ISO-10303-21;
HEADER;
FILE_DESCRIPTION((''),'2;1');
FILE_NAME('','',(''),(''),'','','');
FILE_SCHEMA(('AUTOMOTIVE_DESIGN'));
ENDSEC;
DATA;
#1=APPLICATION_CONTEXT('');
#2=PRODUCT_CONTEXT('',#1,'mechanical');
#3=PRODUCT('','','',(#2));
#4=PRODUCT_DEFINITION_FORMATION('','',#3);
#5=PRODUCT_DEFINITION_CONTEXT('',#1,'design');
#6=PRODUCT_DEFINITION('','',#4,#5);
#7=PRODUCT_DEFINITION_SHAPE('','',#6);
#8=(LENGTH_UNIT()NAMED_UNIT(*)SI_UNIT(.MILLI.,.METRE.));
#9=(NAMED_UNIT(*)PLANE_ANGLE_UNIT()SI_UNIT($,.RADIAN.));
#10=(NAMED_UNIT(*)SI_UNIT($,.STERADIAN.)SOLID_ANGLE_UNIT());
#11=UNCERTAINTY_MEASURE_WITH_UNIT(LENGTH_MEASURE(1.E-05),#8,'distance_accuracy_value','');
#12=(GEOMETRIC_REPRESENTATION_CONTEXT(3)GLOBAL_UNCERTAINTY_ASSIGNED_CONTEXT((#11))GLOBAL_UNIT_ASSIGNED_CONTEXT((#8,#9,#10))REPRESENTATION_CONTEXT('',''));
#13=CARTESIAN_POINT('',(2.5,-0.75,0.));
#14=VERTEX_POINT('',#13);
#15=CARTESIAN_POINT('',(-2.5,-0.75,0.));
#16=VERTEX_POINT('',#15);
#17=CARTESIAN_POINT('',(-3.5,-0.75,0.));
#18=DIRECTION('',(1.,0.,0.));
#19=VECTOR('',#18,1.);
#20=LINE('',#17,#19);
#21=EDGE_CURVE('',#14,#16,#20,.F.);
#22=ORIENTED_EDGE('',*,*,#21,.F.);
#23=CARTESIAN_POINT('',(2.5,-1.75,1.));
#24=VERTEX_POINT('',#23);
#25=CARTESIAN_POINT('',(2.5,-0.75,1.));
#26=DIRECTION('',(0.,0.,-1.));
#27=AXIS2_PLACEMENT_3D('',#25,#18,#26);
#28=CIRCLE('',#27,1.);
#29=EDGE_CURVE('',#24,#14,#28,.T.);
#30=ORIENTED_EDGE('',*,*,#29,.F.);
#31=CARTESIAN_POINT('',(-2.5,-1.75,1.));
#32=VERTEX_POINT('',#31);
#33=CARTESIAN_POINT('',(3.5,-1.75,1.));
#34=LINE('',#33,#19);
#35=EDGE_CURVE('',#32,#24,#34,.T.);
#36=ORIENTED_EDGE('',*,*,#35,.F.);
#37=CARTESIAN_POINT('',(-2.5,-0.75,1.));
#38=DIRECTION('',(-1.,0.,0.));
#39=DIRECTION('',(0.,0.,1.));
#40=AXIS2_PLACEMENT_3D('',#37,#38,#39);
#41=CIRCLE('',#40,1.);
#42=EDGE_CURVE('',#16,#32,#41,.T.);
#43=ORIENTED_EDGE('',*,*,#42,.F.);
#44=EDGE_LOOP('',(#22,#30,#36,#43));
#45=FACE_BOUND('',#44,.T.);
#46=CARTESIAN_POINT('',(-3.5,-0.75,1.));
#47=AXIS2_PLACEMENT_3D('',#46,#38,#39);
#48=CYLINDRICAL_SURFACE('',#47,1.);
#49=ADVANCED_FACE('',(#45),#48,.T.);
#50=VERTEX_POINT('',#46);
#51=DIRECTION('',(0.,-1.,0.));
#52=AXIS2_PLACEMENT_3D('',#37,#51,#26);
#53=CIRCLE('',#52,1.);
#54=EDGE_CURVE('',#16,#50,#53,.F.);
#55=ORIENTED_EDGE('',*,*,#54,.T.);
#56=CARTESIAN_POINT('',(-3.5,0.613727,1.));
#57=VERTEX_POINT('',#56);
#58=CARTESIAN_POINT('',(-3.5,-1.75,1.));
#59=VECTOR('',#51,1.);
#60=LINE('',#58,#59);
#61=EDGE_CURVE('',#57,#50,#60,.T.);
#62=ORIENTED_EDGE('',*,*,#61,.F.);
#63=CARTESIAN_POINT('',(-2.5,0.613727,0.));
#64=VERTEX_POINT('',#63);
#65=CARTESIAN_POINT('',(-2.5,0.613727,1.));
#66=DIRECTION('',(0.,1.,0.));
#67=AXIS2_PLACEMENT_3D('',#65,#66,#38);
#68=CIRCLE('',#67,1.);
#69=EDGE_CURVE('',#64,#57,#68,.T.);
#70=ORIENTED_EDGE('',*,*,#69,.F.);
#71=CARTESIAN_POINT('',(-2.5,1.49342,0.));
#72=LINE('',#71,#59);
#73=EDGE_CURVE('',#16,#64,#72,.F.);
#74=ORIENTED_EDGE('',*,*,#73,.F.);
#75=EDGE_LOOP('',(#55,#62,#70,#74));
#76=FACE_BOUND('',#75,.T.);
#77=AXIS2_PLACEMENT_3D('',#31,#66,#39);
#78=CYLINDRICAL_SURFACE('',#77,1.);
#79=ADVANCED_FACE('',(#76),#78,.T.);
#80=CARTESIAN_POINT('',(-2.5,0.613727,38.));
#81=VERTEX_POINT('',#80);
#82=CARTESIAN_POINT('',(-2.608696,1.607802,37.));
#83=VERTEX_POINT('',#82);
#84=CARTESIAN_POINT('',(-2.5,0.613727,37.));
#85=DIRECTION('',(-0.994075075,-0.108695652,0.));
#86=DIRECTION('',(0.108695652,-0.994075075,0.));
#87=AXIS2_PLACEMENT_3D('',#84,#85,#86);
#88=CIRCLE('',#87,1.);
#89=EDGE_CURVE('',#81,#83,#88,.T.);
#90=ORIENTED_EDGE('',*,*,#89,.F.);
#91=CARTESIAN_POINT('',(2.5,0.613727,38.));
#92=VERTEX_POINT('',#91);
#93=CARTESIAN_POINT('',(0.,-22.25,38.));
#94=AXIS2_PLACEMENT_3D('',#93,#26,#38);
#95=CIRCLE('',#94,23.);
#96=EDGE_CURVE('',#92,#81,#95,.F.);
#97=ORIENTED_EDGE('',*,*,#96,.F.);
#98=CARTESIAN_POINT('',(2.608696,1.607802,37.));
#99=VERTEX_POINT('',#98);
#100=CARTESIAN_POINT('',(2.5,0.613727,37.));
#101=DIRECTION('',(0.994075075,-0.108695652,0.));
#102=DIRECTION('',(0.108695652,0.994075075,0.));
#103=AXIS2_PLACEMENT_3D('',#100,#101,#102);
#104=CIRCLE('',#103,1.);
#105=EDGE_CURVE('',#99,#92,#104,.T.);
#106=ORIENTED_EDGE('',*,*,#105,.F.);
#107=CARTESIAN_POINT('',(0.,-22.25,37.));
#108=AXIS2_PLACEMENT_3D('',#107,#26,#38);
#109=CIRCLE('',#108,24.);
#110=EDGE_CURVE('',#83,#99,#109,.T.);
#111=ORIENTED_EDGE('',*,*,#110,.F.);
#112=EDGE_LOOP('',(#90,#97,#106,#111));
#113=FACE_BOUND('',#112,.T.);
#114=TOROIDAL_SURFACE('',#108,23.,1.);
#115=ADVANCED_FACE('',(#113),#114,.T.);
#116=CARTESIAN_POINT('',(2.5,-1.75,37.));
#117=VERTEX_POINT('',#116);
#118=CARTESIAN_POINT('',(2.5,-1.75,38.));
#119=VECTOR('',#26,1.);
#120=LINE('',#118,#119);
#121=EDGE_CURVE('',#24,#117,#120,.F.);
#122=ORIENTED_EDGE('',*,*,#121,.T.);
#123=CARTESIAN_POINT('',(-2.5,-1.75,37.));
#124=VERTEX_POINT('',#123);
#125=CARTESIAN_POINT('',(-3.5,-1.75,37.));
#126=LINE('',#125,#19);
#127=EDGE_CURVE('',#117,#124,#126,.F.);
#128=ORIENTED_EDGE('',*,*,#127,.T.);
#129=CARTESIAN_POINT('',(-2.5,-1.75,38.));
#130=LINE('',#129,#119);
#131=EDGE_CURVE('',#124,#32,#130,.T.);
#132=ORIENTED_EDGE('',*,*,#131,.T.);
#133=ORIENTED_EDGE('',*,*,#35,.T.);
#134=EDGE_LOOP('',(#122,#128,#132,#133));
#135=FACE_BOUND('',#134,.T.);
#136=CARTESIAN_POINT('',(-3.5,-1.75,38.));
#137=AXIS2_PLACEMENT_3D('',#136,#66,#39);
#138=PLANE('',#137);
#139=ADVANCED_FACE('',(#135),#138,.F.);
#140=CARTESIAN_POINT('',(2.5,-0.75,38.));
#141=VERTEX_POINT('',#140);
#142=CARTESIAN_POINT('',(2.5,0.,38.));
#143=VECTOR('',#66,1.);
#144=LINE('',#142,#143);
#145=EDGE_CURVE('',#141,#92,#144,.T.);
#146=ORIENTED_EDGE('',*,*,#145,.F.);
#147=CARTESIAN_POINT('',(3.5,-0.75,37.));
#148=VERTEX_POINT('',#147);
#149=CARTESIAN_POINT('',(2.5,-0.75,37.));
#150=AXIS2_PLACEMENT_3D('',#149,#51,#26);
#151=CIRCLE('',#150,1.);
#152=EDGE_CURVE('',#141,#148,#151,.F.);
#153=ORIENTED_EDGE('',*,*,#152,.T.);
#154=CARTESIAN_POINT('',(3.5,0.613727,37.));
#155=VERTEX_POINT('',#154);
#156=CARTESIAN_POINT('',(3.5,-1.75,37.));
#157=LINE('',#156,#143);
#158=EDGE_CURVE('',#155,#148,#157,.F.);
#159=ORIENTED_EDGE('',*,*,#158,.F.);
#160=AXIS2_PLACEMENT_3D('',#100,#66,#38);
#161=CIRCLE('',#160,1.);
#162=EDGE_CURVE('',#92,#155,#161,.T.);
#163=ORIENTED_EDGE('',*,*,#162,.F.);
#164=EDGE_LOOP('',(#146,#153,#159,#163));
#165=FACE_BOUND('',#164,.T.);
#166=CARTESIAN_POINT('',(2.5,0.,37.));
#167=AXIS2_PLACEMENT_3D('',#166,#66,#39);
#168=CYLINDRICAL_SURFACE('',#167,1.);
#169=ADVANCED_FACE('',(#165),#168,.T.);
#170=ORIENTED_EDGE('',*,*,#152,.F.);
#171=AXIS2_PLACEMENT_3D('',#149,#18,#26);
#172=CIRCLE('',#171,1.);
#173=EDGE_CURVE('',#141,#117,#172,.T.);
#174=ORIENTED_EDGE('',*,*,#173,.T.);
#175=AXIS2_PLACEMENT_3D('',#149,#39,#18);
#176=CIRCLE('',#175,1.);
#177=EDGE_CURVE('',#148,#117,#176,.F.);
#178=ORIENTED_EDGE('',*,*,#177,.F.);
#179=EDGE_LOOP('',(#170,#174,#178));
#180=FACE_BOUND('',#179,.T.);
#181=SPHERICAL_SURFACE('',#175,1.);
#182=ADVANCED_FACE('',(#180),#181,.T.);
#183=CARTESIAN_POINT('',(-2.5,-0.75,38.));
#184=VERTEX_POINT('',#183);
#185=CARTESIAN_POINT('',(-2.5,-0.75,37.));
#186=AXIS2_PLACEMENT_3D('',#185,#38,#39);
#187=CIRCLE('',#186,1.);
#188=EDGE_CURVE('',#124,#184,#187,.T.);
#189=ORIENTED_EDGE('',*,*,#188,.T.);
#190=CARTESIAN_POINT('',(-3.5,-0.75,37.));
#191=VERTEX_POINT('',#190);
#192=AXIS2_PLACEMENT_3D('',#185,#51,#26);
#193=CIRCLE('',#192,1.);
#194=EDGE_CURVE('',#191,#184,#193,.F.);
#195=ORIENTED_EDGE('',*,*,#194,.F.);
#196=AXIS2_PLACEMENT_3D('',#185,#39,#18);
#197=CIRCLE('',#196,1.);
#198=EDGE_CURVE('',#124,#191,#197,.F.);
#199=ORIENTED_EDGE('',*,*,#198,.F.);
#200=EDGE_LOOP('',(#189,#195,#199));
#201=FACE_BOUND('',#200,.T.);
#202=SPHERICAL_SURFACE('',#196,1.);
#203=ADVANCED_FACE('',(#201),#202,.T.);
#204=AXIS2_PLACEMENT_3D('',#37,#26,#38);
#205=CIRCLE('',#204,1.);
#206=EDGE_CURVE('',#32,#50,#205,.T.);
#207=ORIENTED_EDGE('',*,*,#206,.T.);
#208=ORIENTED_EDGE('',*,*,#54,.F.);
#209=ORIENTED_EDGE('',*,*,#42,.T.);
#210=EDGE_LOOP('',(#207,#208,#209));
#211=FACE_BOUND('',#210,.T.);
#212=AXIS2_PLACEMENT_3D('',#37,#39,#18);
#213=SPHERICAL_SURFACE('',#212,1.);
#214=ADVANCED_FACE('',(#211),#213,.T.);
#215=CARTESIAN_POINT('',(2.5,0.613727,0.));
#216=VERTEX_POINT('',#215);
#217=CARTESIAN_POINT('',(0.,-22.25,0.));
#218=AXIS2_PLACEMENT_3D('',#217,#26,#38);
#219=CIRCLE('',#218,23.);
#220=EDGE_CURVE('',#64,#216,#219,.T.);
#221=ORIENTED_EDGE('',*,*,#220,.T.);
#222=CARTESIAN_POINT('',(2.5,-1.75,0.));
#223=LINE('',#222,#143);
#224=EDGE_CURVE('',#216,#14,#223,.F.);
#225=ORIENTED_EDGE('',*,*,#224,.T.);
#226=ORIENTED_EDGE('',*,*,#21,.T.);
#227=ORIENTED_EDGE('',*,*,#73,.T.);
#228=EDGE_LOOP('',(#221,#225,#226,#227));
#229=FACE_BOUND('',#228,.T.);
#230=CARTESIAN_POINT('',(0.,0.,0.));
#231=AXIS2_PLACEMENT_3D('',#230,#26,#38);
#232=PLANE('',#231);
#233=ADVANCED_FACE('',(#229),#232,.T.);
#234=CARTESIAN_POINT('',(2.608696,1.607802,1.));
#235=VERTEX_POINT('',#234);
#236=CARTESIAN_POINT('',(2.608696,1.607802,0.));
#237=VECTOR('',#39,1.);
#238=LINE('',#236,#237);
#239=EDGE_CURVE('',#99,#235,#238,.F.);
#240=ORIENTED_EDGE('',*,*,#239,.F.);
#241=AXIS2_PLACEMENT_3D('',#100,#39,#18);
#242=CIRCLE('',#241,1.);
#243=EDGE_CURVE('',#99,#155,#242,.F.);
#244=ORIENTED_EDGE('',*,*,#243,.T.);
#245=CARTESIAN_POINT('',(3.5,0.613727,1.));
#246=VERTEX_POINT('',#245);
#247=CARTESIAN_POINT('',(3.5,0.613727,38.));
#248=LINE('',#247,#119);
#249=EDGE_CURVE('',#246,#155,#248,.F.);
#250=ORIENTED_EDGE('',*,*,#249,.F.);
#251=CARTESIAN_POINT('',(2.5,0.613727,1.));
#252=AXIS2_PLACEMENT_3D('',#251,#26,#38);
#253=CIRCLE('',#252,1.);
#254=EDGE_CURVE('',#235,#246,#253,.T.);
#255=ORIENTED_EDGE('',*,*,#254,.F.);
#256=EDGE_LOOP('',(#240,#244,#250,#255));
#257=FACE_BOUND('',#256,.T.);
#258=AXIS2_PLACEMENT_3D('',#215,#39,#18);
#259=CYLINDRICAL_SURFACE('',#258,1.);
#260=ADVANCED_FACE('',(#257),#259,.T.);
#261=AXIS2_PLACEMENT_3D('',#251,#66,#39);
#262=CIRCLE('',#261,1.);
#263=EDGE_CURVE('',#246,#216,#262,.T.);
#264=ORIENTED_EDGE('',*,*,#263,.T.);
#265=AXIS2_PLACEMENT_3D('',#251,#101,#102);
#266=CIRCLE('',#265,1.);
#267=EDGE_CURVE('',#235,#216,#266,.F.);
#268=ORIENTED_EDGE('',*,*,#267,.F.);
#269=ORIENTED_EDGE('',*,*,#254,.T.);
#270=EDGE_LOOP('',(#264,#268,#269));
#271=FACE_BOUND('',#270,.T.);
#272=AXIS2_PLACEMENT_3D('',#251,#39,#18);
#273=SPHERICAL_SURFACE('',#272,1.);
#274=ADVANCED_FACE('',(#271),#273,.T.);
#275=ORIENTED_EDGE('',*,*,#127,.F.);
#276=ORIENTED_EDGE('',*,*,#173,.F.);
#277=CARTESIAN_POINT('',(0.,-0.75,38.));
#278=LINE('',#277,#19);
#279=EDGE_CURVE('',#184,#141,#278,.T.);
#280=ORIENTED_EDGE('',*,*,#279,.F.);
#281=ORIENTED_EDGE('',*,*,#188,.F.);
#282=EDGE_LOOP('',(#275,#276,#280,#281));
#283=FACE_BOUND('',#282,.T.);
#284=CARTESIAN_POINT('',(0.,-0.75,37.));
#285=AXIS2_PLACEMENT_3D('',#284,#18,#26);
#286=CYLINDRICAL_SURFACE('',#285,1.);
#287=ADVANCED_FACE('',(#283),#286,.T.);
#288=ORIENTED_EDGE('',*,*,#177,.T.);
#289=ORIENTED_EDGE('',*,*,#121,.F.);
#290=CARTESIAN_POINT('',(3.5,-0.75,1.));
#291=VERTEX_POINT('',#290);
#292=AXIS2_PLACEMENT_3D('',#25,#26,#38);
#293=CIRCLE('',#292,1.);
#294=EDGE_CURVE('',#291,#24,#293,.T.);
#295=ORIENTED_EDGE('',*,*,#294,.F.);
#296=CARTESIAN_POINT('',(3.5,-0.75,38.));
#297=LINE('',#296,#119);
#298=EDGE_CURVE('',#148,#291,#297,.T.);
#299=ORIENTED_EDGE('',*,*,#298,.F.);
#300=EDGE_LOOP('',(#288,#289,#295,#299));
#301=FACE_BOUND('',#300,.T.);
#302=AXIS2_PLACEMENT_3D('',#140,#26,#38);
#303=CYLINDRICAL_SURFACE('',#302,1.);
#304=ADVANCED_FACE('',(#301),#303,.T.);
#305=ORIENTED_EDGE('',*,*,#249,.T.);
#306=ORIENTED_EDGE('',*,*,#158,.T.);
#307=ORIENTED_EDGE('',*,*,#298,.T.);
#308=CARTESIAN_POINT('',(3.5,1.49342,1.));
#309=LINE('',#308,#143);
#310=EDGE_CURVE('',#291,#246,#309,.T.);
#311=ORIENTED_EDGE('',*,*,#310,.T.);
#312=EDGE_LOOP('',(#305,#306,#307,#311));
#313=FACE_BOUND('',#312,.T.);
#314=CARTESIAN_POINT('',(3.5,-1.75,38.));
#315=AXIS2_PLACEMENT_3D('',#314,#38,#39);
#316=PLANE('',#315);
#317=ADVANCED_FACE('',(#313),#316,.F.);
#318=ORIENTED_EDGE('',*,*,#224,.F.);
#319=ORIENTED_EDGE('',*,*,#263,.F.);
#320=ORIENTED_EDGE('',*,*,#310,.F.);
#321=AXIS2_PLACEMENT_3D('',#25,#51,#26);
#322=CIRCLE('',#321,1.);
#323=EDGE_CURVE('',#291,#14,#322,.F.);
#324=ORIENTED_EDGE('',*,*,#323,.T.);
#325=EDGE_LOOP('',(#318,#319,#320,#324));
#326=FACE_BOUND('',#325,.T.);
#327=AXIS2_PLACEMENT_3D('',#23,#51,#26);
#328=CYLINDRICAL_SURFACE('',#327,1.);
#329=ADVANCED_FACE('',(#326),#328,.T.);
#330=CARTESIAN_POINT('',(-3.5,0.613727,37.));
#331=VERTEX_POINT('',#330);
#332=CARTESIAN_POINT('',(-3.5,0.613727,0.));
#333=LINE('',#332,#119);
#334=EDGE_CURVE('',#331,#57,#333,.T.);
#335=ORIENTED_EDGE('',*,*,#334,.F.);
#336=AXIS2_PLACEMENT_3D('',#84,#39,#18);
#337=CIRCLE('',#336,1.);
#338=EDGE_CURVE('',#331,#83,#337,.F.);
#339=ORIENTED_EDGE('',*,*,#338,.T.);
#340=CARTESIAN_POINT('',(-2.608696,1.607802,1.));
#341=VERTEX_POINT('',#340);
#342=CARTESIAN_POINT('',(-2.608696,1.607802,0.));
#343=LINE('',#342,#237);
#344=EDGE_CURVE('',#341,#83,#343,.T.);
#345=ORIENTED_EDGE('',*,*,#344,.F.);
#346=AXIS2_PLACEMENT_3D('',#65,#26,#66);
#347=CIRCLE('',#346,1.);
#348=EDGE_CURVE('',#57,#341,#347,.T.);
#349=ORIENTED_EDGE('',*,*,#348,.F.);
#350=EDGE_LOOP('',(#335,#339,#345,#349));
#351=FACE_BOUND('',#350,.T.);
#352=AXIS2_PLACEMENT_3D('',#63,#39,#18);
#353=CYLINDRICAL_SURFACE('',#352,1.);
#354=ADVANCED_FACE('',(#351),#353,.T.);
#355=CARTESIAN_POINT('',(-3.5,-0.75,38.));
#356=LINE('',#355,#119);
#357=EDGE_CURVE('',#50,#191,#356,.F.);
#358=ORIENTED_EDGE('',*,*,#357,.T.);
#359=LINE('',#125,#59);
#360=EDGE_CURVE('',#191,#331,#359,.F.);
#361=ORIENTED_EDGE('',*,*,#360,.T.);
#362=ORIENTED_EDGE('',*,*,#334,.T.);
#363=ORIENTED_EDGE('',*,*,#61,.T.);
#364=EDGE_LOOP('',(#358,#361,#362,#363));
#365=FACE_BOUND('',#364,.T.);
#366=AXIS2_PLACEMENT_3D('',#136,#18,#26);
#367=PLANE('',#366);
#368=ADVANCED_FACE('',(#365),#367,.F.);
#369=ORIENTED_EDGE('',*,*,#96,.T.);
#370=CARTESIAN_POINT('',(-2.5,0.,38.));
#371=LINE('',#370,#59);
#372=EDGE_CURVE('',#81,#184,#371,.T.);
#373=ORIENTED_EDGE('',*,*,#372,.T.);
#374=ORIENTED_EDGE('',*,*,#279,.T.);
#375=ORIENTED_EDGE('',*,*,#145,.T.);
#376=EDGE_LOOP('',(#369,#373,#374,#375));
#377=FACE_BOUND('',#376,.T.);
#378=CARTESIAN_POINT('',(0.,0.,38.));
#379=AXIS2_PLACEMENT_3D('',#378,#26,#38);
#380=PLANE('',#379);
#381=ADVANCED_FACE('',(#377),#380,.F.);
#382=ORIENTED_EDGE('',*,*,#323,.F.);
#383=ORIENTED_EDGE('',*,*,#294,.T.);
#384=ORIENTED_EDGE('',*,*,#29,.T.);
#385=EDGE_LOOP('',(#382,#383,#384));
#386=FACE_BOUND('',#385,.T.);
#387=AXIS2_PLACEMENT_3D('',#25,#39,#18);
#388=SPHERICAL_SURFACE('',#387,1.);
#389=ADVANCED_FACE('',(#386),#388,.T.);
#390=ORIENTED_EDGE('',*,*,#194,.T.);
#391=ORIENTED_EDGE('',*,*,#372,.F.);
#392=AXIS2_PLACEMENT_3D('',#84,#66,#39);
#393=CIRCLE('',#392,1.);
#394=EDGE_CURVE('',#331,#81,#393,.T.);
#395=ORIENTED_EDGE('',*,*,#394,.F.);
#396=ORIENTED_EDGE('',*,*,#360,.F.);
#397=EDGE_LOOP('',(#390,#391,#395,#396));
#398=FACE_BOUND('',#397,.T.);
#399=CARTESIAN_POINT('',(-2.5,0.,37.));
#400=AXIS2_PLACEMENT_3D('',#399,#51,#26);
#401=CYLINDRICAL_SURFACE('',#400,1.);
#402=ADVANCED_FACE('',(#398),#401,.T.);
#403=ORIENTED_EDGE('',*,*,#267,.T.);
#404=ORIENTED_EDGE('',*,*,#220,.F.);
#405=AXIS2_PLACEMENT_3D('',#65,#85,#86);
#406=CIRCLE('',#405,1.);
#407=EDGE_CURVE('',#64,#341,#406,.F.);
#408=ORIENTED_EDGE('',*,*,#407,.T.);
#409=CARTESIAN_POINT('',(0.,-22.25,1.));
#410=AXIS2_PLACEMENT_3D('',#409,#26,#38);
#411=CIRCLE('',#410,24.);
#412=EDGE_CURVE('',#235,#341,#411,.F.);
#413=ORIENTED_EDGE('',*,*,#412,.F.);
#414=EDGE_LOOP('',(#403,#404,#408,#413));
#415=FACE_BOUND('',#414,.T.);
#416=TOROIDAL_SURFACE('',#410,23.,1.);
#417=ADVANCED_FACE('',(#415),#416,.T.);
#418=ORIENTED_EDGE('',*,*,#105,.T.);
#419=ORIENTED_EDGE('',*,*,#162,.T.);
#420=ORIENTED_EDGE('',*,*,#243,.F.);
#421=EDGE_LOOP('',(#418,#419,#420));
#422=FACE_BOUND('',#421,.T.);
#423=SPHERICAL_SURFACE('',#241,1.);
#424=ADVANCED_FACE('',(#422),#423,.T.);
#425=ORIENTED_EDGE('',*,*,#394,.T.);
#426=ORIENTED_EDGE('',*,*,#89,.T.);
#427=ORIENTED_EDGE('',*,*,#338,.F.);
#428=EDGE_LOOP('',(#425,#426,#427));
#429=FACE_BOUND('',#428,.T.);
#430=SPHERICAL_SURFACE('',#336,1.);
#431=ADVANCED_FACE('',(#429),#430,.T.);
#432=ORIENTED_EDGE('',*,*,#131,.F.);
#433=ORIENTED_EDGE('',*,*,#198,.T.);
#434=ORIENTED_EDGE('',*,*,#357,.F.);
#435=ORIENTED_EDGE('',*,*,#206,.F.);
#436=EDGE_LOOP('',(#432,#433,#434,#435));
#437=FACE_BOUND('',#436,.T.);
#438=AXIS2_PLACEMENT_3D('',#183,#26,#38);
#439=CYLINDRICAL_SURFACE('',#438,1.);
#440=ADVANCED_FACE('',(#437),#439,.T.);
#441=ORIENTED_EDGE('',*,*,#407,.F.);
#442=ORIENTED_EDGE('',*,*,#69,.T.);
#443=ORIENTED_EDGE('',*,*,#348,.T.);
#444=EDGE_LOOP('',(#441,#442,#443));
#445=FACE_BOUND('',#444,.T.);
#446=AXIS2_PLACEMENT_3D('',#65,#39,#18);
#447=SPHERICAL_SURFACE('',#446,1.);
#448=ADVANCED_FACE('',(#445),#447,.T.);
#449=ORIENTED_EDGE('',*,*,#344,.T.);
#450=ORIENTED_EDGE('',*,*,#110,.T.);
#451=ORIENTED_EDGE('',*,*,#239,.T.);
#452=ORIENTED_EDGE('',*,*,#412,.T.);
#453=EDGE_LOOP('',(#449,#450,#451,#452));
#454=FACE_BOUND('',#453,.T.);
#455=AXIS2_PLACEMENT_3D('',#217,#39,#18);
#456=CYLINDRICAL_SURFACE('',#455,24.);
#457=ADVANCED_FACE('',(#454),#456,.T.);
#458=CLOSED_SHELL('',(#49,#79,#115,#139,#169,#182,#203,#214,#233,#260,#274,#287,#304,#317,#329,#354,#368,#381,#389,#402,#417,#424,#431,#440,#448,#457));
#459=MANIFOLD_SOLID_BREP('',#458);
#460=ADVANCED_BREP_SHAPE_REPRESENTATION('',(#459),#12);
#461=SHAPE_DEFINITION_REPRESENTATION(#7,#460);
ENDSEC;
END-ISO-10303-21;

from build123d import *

# Parameters (mm, degrees)
SKETCH1_W           = 7
SKETCH1_H           = 3.5
BOSS_EXTRUDE1_DEPTH = 38
SKETCH2_R           = 29
SKETCH2_R_2         = 24
CUT_EXTRUDE1_DEPTH  = 39.200948941
FILLET1_R           = 1


with BuildPart() as part:
    # Sketch1 → Boss-Extrude1 (new body)
    with BuildSketch(Plane.XY):
        Rectangle(SKETCH1_W, SKETCH1_H)
    extrude(amount=BOSS_EXTRUDE1_DEPTH)

    # Sketch2 → Cut-Extrude1 (cut, through all)
    with BuildSketch(Plane.XY.offset(38)):
        with Locations((0, -22.25)):
            Circle(SKETCH2_R)
        with Locations((0, -22.25)):
            Circle(SKETCH2_R_2, mode=Mode.SUBTRACT)
    extrude(amount=-CUT_EXTRUDE1_DEPTH, mode=Mode.SUBTRACT)

    # Fillet1
    fillet1_edges = [part.edges().sort_by_distance(p)[0] for p in [
        (0, -1.75, 38),
        (-3.5, -0.128289929, 0),
        (0, 1.75, 0),
        (-3.5, -0.128289929, 38),
        (0, 1.75, 38),
        (3.5, 1.493420141, 19),
        (-3.5, 1.493420141, 19),
        (3.5, -0.128289929, 38),
        (0, -1.75, 0),
        (3.5, -0.128289929, 0),
        (3.5, -1.75, 19),
        (-3.5, -1.75, 19),
    ]]
    fillet(fillet1_edges, radius=FILLET1_R)


solid = part.part
